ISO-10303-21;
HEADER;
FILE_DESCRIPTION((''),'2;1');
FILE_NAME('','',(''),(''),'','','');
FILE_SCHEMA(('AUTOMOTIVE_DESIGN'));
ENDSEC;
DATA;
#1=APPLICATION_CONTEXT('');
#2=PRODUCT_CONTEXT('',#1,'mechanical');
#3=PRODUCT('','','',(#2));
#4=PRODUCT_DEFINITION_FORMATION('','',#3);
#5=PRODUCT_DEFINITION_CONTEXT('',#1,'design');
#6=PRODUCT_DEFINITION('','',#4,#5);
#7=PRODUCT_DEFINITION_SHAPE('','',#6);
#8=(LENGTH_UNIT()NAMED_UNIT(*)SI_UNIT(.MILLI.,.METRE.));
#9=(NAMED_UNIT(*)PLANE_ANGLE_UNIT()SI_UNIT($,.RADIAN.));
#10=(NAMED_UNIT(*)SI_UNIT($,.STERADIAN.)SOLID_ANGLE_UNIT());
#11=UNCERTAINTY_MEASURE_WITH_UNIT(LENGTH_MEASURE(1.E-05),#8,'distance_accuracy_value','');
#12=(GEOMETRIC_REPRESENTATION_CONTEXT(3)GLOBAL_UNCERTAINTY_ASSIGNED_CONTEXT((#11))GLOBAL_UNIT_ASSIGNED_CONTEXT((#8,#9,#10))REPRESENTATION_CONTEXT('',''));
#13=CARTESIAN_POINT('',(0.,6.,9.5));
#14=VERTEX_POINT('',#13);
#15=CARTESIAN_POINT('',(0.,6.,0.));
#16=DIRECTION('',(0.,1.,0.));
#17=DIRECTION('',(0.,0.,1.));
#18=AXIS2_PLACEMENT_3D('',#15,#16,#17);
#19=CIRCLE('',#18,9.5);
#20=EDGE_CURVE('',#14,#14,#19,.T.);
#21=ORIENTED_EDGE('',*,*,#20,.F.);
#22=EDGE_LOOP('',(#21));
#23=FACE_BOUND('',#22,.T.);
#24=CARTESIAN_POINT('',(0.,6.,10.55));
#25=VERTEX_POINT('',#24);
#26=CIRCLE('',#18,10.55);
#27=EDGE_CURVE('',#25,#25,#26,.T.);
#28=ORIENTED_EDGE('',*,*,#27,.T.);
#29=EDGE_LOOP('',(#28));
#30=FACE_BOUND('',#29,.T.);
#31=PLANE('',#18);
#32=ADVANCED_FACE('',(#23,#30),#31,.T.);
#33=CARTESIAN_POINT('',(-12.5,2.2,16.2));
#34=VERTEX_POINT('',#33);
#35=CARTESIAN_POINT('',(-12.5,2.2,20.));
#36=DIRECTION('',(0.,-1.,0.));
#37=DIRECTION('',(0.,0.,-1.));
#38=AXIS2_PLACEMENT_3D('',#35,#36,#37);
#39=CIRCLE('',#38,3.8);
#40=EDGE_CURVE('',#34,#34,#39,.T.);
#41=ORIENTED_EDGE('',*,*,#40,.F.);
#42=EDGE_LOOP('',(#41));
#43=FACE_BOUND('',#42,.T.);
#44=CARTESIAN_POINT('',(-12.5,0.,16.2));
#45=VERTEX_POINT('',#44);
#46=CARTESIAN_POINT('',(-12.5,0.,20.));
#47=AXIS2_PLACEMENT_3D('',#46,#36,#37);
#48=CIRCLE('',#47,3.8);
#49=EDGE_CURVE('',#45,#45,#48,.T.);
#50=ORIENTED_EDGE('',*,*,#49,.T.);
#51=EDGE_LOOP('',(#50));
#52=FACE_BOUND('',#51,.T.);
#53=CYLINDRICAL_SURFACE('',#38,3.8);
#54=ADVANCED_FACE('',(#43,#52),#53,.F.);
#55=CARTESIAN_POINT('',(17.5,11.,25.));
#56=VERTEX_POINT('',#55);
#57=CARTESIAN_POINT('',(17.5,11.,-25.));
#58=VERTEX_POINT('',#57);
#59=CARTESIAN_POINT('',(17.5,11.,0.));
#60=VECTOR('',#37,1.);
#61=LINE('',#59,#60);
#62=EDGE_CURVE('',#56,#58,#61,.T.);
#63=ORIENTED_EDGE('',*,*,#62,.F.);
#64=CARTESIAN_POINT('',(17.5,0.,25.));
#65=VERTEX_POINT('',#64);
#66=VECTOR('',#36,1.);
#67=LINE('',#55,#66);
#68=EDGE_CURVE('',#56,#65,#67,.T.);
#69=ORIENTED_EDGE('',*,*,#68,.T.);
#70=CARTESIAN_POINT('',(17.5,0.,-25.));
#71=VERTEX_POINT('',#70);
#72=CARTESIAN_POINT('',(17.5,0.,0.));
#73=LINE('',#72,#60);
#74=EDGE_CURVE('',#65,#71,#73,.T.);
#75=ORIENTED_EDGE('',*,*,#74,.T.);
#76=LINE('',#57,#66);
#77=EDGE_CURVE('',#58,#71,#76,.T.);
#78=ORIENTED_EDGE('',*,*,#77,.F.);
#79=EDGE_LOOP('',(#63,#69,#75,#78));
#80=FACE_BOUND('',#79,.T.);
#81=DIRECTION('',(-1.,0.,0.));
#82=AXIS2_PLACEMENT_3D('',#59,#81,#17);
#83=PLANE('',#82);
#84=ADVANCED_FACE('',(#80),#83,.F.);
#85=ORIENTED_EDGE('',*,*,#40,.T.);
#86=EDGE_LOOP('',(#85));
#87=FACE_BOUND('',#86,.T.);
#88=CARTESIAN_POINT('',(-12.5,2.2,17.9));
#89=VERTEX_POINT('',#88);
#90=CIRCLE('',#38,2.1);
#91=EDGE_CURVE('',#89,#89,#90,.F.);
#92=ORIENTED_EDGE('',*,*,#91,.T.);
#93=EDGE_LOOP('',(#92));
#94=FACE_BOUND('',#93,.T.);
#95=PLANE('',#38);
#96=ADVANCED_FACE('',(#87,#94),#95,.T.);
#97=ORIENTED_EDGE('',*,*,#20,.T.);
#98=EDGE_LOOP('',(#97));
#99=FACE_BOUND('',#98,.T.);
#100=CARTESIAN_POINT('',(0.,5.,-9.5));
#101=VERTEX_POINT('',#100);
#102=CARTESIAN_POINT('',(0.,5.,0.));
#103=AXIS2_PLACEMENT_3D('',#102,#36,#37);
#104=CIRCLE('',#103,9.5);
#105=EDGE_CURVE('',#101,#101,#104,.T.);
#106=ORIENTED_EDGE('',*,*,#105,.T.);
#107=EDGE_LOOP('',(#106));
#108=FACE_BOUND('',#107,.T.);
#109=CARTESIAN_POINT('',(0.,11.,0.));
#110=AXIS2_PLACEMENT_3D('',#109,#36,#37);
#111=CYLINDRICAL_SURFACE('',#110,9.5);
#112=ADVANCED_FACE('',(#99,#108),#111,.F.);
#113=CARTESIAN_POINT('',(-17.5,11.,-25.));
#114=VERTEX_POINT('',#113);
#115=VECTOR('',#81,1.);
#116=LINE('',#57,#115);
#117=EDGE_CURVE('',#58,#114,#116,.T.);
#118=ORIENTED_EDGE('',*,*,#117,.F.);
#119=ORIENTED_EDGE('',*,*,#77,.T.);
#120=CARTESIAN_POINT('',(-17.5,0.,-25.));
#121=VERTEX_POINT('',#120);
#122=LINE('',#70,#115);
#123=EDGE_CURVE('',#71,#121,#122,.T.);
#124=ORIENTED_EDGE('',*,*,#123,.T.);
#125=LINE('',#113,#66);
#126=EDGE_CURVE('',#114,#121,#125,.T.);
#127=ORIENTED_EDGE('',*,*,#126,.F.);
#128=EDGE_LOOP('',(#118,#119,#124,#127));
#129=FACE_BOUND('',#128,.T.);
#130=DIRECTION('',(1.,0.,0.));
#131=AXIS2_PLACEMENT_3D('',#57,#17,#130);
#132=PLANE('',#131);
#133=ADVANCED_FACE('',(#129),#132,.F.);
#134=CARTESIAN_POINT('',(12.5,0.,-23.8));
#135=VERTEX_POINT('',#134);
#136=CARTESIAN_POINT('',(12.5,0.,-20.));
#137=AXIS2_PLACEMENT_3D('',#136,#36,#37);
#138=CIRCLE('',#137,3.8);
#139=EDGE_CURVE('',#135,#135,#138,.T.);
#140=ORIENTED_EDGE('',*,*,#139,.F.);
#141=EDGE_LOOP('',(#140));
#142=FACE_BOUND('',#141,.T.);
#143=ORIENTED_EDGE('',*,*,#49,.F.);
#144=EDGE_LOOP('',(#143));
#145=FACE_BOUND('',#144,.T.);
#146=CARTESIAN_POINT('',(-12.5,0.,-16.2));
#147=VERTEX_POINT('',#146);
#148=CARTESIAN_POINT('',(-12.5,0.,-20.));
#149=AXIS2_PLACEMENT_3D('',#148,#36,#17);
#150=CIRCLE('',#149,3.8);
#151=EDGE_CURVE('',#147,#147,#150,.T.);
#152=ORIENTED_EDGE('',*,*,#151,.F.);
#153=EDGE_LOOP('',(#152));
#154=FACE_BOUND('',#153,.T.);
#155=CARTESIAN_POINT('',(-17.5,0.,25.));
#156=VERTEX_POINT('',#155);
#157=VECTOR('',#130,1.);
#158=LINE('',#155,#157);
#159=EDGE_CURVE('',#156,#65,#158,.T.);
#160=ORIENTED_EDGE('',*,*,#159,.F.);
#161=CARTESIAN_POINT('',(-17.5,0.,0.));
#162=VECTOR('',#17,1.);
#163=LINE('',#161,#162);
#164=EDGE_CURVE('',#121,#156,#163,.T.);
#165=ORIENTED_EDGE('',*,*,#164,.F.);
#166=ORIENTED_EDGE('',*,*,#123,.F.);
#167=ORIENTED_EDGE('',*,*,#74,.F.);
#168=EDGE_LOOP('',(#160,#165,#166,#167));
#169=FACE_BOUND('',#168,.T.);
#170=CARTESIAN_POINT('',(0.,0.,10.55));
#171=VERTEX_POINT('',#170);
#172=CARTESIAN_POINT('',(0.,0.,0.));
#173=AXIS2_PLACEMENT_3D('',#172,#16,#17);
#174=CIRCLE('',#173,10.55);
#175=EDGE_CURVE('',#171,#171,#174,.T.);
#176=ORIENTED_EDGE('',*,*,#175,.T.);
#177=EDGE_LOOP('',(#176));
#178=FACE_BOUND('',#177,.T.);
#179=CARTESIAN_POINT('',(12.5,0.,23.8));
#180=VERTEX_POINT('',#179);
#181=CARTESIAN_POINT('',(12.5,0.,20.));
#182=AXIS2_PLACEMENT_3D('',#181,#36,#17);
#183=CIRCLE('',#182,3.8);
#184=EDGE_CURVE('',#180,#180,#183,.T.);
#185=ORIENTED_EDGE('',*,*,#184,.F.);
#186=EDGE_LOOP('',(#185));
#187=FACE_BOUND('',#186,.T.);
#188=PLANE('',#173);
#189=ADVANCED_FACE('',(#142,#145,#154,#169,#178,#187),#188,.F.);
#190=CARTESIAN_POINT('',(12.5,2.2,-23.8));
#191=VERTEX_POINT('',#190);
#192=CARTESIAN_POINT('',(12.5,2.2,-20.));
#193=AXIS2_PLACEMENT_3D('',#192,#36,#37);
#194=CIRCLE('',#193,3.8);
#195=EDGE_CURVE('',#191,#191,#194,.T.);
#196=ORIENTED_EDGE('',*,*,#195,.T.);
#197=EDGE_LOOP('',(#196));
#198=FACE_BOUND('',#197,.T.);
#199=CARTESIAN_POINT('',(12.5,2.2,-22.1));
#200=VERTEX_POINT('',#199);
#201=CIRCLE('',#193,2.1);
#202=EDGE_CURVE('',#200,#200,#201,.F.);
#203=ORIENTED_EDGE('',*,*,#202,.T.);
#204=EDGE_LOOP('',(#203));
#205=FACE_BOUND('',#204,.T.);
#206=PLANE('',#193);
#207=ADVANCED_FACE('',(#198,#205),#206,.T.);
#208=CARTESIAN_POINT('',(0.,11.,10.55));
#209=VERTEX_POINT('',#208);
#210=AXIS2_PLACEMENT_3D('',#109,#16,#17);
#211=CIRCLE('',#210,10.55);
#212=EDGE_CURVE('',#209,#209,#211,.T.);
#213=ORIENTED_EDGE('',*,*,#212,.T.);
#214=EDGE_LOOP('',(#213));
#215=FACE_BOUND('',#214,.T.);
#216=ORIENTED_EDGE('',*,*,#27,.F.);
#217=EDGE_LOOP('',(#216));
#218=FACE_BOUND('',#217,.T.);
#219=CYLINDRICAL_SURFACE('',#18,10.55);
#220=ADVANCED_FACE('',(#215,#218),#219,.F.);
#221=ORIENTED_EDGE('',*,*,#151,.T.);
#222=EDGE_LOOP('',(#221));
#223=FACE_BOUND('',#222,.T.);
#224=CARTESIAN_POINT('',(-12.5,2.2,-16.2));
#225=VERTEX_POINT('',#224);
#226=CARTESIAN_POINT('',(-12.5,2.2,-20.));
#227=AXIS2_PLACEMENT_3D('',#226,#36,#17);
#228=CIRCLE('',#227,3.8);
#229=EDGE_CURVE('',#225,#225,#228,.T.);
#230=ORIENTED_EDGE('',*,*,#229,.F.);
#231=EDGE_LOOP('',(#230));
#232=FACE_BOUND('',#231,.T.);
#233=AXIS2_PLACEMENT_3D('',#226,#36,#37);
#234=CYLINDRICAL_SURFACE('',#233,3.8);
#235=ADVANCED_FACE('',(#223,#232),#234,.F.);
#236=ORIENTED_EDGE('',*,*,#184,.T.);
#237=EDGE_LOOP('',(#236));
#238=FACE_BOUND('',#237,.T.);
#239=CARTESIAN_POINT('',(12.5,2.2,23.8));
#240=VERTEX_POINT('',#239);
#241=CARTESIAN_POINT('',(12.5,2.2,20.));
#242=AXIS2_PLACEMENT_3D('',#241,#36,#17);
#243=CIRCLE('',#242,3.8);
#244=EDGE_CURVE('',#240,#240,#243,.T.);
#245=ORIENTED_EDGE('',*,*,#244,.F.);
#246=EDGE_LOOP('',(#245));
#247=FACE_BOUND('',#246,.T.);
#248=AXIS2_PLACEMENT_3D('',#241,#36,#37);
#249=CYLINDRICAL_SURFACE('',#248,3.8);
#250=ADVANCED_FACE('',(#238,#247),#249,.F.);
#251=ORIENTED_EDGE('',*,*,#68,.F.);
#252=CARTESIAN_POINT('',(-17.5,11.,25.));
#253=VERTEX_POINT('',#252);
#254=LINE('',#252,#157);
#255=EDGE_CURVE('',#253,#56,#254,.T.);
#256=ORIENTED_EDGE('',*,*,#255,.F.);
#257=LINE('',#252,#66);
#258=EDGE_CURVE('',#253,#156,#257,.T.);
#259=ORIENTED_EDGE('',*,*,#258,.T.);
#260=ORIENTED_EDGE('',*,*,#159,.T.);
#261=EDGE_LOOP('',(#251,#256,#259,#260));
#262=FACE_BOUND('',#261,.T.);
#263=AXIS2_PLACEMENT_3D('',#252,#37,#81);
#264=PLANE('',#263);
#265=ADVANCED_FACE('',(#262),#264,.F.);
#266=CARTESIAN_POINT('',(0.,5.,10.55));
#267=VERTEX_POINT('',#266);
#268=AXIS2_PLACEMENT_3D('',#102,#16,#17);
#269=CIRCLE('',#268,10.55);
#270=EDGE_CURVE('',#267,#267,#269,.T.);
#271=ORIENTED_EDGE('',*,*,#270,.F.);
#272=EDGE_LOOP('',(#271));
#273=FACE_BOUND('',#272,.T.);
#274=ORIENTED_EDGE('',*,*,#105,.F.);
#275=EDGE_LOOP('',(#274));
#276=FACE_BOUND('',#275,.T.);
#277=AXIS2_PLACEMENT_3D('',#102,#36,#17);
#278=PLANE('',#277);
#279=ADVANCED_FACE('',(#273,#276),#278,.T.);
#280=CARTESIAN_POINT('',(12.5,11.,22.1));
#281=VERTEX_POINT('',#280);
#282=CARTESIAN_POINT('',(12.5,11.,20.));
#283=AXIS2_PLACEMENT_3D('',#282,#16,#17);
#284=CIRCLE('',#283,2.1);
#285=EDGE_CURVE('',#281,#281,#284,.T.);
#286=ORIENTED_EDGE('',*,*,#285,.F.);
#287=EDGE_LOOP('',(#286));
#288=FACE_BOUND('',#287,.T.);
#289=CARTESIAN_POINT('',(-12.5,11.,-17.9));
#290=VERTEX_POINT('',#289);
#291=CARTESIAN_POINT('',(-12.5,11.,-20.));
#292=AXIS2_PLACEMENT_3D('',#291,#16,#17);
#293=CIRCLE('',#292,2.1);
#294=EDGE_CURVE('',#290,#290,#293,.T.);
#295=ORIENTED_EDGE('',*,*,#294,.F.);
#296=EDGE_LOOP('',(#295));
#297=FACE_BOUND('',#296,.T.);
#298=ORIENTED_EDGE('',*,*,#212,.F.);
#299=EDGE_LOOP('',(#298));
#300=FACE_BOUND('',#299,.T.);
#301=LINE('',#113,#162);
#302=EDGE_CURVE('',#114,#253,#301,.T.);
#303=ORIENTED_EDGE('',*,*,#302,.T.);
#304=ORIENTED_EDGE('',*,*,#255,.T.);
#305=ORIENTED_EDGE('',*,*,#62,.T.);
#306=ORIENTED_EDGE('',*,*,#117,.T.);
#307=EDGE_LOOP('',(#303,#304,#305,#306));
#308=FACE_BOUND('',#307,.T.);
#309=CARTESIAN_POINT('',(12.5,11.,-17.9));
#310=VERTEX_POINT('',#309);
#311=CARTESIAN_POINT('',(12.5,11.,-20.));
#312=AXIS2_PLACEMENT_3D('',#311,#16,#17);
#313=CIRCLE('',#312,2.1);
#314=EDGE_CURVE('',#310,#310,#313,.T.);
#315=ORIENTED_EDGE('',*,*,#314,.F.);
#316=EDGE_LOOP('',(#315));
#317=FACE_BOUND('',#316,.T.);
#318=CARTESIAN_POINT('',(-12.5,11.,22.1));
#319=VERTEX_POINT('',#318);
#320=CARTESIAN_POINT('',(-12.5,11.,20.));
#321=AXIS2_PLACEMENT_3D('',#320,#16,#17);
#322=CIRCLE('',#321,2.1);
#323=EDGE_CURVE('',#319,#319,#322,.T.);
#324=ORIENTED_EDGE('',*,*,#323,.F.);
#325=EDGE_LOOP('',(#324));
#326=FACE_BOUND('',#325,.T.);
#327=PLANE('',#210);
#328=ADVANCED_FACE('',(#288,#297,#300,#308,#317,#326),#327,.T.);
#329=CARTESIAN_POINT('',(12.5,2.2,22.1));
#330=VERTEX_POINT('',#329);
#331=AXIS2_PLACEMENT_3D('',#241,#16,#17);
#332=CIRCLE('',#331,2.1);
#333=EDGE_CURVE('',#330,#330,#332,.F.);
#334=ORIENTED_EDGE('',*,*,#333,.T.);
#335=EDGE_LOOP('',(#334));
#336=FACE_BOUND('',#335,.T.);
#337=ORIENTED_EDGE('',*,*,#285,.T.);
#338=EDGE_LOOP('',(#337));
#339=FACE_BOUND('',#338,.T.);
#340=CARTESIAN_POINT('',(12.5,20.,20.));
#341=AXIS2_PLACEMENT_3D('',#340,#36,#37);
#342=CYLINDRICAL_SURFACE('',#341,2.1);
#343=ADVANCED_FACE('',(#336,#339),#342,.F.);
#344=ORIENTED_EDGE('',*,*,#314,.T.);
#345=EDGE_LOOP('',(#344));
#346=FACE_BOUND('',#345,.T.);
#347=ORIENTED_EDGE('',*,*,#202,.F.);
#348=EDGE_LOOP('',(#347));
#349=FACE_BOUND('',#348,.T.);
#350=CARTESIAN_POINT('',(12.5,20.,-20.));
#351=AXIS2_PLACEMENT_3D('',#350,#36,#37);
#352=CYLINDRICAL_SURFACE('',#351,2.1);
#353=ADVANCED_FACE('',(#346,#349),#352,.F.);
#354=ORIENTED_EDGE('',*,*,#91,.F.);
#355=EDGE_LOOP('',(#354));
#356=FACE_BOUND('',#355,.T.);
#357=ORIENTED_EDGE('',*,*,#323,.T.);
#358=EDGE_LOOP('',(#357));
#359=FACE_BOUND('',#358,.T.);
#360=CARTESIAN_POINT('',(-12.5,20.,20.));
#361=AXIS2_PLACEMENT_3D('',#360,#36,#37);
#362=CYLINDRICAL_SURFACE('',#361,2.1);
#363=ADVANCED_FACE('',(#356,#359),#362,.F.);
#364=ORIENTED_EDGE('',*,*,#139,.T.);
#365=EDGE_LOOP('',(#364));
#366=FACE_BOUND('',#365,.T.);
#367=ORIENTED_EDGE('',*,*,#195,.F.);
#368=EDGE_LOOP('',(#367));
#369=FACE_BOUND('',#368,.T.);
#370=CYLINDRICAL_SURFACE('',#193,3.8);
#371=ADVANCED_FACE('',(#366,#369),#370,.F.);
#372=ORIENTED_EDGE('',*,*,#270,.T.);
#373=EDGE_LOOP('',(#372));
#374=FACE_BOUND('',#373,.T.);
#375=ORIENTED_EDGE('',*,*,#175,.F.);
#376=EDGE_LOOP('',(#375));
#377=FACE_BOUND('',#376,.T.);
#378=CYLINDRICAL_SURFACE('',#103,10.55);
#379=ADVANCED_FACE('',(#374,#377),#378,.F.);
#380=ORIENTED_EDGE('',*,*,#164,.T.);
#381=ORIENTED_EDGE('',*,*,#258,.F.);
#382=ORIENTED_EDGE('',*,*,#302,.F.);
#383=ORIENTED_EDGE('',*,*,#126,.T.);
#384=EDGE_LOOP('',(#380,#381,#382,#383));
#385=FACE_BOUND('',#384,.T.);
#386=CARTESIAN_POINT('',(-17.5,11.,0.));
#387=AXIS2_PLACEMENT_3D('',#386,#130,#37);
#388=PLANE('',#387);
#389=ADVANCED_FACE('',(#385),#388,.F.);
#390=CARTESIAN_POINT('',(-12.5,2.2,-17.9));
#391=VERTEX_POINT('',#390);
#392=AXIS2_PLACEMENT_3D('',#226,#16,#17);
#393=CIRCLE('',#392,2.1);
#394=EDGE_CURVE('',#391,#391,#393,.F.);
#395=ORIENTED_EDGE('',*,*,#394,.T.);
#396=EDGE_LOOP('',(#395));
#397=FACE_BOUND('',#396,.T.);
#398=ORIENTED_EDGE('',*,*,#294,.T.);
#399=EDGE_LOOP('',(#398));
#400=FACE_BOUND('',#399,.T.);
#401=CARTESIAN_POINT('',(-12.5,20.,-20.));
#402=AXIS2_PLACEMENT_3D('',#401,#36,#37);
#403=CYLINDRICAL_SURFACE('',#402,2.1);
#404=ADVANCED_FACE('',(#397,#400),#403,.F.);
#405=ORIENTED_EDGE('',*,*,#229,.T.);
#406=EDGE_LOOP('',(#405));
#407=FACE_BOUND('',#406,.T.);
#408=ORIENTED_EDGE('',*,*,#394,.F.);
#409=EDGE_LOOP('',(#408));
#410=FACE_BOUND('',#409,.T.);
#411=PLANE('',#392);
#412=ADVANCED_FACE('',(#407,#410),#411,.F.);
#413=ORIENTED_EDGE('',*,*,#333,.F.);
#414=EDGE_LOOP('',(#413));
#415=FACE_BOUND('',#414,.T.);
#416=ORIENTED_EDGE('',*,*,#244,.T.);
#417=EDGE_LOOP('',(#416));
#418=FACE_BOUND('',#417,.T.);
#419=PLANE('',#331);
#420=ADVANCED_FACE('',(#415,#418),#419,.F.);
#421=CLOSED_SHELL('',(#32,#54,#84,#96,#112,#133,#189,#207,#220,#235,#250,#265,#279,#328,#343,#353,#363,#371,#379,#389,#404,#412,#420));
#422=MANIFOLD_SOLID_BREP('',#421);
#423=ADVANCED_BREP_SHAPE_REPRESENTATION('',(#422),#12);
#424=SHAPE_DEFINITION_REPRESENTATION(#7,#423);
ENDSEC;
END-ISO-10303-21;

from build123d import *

# Parameters (mm, degrees)
SKETCH_1_R          = 9.5
EXTRUDE_1_DEPTH     = 11
SKETCH_2_R          = 10.55
CUT_EXTRUDE_1_DEPTH = 5
SKETCH_3_W          = 35
SKETCH_3_H          = 4
EXTRUDE_2_DEPTH     = 31
SKETCH_5_R          = 10.5
SKETCH_5_R_2        = 2.1
EXTRUDE_3_DEPTH     = 3.5
SKETCH_7_W          = 61.53340186
SKETCH_7_H          = 39.361856863
CUT_EXTRUDE_4_DEPTH = 56.138462075
SKETCH_8_R          = 2.1
CUT_EXTRUDE_5_DEPTH = 20
SKETCH_9_R          = 3.8
CUT_EXTRUDE_6_DEPTH = 2.2


with BuildPart() as part:
    # 草图1 → 凸台-拉伸1 (new body)
    with BuildSketch(Plane(origin=(0, 0, 0), x_dir=(1, 0, 0), z_dir=(0, 1, 0))):
        Polygon((-17.5, 0), (-17.5, -25), (17.5, -25), (17.5, 0), (17.5, 25), (-17.5, 25), align=None)
        with Locations(Location((0, 0, 0), (0, 0, 270))):
            Circle(SKETCH_1_R, mode=Mode.SUBTRACT)
    extrude(amount=EXTRUDE_1_DEPTH)

    # 草图2 → 切除-拉伸1 (cut)
    with BuildSketch(Plane(origin=(0, 11, 0), x_dir=(1, 0, 0), z_dir=(0, 1, 0))):
        with Locations(Location((0, 0, 0), (0, 0, 270))):
            Circle(SKETCH_2_R)
    cut_extrude_1 = extrude(amount=-CUT_EXTRUDE_1_DEPTH, mode=Mode.SUBTRACT)

    # 镜向1: 切除-拉伸1 across plane
    add(cut_extrude_1.mirror(Plane.ZX.offset(5.5)), mode=Mode.SUBTRACT)

    # 草图3 → 凸台-拉伸2 (add)
    with BuildSketch(Plane.XZ):
        with Locations((0, 23)):
            Rectangle(SKETCH_3_W, SKETCH_3_H)
    extrude(amount=EXTRUDE_2_DEPTH)

    # 草图5 → 凸台-拉伸3 (add)
    with BuildSketch(Plane.XZ.offset(31)):
        with BuildLine():
            Line((-17.5, 25), (-17.5, 0))
            ThreePointArc((-17.5, 0), (0, -17.5), (17.5, 0))
            Line((17.5, 0), (17.5, 25))
            Line((17.5, 25), (-17.5, 25))
        make_face()
        with Locations(Location((0, 0, 0), (0, 0, 270))):
            Circle(SKETCH_5_R, mode=Mode.SUBTRACT)
        with Locations(Location((0, 14, 0), (0, 0, 270))):
            Circle(SKETCH_5_R_2, mode=Mode.SUBTRACT)
        with Locations(Location((14, 0, 0), (0, 0, 270))):
            Circle(SKETCH_5_R_2, mode=Mode.SUBTRACT)
        with Locations(Location((0, -14, 0), (0, 0, 270))):
            Circle(SKETCH_5_R_2, mode=Mode.SUBTRACT)
        with Locations(Location((-14, 0, 0), (0, 0, 270))):
            Circle(SKETCH_5_R_2, mode=Mode.SUBTRACT)
    extrude(amount=EXTRUDE_3_DEPTH)

    # 草图7 → 切除-拉伸4 (cut, through all)
    with BuildSketch(Plane.ZY.offset(17.5)):
        with Locations((-3.514973955, -19.680928431)):
            Rectangle(SKETCH_7_W, SKETCH_7_H)
    extrude(amount=-CUT_EXTRUDE_4_DEPTH, mode=Mode.SUBTRACT)

    # 草图8 → 切除-拉伸5 (cut)
    with BuildSketch(Plane.XZ):
        with Locations(Location((-12.5, 20, 0), (0, 0, 270))):
            Circle(SKETCH_8_R)
        with Locations(Location((12.5, 20, 0), (0, 0, 90))):
            Circle(SKETCH_8_R)
        with Locations(Location((12.5, -20, 0), (0, 0, 270))):
            Circle(SKETCH_8_R)
        with Locations(Location((-12.5, -20, 0), (0, 0, 90))):
            Circle(SKETCH_8_R)
    extrude(amount=-CUT_EXTRUDE_5_DEPTH, mode=Mode.SUBTRACT)

    # 草图9 → 切除-拉伸6 (cut)
    with BuildSketch(Plane.XZ):
        with Locations(Location((-12.5, 20, 0), (0, 0, 270))):
            Circle(SKETCH_9_R)
        with Locations(Location((12.5, 20, 0), (0, 0, 90))):
            Circle(SKETCH_9_R)
        with Locations(Location((12.5, -20, 0), (0, 0, 270))):
            Circle(SKETCH_9_R)
        with Locations(Location((-12.5, -20, 0), (0, 0, 90))):
            Circle(SKETCH_9_R)
    extrude(amount=-CUT_EXTRUDE_6_DEPTH, mode=Mode.SUBTRACT)


solid = part.part
